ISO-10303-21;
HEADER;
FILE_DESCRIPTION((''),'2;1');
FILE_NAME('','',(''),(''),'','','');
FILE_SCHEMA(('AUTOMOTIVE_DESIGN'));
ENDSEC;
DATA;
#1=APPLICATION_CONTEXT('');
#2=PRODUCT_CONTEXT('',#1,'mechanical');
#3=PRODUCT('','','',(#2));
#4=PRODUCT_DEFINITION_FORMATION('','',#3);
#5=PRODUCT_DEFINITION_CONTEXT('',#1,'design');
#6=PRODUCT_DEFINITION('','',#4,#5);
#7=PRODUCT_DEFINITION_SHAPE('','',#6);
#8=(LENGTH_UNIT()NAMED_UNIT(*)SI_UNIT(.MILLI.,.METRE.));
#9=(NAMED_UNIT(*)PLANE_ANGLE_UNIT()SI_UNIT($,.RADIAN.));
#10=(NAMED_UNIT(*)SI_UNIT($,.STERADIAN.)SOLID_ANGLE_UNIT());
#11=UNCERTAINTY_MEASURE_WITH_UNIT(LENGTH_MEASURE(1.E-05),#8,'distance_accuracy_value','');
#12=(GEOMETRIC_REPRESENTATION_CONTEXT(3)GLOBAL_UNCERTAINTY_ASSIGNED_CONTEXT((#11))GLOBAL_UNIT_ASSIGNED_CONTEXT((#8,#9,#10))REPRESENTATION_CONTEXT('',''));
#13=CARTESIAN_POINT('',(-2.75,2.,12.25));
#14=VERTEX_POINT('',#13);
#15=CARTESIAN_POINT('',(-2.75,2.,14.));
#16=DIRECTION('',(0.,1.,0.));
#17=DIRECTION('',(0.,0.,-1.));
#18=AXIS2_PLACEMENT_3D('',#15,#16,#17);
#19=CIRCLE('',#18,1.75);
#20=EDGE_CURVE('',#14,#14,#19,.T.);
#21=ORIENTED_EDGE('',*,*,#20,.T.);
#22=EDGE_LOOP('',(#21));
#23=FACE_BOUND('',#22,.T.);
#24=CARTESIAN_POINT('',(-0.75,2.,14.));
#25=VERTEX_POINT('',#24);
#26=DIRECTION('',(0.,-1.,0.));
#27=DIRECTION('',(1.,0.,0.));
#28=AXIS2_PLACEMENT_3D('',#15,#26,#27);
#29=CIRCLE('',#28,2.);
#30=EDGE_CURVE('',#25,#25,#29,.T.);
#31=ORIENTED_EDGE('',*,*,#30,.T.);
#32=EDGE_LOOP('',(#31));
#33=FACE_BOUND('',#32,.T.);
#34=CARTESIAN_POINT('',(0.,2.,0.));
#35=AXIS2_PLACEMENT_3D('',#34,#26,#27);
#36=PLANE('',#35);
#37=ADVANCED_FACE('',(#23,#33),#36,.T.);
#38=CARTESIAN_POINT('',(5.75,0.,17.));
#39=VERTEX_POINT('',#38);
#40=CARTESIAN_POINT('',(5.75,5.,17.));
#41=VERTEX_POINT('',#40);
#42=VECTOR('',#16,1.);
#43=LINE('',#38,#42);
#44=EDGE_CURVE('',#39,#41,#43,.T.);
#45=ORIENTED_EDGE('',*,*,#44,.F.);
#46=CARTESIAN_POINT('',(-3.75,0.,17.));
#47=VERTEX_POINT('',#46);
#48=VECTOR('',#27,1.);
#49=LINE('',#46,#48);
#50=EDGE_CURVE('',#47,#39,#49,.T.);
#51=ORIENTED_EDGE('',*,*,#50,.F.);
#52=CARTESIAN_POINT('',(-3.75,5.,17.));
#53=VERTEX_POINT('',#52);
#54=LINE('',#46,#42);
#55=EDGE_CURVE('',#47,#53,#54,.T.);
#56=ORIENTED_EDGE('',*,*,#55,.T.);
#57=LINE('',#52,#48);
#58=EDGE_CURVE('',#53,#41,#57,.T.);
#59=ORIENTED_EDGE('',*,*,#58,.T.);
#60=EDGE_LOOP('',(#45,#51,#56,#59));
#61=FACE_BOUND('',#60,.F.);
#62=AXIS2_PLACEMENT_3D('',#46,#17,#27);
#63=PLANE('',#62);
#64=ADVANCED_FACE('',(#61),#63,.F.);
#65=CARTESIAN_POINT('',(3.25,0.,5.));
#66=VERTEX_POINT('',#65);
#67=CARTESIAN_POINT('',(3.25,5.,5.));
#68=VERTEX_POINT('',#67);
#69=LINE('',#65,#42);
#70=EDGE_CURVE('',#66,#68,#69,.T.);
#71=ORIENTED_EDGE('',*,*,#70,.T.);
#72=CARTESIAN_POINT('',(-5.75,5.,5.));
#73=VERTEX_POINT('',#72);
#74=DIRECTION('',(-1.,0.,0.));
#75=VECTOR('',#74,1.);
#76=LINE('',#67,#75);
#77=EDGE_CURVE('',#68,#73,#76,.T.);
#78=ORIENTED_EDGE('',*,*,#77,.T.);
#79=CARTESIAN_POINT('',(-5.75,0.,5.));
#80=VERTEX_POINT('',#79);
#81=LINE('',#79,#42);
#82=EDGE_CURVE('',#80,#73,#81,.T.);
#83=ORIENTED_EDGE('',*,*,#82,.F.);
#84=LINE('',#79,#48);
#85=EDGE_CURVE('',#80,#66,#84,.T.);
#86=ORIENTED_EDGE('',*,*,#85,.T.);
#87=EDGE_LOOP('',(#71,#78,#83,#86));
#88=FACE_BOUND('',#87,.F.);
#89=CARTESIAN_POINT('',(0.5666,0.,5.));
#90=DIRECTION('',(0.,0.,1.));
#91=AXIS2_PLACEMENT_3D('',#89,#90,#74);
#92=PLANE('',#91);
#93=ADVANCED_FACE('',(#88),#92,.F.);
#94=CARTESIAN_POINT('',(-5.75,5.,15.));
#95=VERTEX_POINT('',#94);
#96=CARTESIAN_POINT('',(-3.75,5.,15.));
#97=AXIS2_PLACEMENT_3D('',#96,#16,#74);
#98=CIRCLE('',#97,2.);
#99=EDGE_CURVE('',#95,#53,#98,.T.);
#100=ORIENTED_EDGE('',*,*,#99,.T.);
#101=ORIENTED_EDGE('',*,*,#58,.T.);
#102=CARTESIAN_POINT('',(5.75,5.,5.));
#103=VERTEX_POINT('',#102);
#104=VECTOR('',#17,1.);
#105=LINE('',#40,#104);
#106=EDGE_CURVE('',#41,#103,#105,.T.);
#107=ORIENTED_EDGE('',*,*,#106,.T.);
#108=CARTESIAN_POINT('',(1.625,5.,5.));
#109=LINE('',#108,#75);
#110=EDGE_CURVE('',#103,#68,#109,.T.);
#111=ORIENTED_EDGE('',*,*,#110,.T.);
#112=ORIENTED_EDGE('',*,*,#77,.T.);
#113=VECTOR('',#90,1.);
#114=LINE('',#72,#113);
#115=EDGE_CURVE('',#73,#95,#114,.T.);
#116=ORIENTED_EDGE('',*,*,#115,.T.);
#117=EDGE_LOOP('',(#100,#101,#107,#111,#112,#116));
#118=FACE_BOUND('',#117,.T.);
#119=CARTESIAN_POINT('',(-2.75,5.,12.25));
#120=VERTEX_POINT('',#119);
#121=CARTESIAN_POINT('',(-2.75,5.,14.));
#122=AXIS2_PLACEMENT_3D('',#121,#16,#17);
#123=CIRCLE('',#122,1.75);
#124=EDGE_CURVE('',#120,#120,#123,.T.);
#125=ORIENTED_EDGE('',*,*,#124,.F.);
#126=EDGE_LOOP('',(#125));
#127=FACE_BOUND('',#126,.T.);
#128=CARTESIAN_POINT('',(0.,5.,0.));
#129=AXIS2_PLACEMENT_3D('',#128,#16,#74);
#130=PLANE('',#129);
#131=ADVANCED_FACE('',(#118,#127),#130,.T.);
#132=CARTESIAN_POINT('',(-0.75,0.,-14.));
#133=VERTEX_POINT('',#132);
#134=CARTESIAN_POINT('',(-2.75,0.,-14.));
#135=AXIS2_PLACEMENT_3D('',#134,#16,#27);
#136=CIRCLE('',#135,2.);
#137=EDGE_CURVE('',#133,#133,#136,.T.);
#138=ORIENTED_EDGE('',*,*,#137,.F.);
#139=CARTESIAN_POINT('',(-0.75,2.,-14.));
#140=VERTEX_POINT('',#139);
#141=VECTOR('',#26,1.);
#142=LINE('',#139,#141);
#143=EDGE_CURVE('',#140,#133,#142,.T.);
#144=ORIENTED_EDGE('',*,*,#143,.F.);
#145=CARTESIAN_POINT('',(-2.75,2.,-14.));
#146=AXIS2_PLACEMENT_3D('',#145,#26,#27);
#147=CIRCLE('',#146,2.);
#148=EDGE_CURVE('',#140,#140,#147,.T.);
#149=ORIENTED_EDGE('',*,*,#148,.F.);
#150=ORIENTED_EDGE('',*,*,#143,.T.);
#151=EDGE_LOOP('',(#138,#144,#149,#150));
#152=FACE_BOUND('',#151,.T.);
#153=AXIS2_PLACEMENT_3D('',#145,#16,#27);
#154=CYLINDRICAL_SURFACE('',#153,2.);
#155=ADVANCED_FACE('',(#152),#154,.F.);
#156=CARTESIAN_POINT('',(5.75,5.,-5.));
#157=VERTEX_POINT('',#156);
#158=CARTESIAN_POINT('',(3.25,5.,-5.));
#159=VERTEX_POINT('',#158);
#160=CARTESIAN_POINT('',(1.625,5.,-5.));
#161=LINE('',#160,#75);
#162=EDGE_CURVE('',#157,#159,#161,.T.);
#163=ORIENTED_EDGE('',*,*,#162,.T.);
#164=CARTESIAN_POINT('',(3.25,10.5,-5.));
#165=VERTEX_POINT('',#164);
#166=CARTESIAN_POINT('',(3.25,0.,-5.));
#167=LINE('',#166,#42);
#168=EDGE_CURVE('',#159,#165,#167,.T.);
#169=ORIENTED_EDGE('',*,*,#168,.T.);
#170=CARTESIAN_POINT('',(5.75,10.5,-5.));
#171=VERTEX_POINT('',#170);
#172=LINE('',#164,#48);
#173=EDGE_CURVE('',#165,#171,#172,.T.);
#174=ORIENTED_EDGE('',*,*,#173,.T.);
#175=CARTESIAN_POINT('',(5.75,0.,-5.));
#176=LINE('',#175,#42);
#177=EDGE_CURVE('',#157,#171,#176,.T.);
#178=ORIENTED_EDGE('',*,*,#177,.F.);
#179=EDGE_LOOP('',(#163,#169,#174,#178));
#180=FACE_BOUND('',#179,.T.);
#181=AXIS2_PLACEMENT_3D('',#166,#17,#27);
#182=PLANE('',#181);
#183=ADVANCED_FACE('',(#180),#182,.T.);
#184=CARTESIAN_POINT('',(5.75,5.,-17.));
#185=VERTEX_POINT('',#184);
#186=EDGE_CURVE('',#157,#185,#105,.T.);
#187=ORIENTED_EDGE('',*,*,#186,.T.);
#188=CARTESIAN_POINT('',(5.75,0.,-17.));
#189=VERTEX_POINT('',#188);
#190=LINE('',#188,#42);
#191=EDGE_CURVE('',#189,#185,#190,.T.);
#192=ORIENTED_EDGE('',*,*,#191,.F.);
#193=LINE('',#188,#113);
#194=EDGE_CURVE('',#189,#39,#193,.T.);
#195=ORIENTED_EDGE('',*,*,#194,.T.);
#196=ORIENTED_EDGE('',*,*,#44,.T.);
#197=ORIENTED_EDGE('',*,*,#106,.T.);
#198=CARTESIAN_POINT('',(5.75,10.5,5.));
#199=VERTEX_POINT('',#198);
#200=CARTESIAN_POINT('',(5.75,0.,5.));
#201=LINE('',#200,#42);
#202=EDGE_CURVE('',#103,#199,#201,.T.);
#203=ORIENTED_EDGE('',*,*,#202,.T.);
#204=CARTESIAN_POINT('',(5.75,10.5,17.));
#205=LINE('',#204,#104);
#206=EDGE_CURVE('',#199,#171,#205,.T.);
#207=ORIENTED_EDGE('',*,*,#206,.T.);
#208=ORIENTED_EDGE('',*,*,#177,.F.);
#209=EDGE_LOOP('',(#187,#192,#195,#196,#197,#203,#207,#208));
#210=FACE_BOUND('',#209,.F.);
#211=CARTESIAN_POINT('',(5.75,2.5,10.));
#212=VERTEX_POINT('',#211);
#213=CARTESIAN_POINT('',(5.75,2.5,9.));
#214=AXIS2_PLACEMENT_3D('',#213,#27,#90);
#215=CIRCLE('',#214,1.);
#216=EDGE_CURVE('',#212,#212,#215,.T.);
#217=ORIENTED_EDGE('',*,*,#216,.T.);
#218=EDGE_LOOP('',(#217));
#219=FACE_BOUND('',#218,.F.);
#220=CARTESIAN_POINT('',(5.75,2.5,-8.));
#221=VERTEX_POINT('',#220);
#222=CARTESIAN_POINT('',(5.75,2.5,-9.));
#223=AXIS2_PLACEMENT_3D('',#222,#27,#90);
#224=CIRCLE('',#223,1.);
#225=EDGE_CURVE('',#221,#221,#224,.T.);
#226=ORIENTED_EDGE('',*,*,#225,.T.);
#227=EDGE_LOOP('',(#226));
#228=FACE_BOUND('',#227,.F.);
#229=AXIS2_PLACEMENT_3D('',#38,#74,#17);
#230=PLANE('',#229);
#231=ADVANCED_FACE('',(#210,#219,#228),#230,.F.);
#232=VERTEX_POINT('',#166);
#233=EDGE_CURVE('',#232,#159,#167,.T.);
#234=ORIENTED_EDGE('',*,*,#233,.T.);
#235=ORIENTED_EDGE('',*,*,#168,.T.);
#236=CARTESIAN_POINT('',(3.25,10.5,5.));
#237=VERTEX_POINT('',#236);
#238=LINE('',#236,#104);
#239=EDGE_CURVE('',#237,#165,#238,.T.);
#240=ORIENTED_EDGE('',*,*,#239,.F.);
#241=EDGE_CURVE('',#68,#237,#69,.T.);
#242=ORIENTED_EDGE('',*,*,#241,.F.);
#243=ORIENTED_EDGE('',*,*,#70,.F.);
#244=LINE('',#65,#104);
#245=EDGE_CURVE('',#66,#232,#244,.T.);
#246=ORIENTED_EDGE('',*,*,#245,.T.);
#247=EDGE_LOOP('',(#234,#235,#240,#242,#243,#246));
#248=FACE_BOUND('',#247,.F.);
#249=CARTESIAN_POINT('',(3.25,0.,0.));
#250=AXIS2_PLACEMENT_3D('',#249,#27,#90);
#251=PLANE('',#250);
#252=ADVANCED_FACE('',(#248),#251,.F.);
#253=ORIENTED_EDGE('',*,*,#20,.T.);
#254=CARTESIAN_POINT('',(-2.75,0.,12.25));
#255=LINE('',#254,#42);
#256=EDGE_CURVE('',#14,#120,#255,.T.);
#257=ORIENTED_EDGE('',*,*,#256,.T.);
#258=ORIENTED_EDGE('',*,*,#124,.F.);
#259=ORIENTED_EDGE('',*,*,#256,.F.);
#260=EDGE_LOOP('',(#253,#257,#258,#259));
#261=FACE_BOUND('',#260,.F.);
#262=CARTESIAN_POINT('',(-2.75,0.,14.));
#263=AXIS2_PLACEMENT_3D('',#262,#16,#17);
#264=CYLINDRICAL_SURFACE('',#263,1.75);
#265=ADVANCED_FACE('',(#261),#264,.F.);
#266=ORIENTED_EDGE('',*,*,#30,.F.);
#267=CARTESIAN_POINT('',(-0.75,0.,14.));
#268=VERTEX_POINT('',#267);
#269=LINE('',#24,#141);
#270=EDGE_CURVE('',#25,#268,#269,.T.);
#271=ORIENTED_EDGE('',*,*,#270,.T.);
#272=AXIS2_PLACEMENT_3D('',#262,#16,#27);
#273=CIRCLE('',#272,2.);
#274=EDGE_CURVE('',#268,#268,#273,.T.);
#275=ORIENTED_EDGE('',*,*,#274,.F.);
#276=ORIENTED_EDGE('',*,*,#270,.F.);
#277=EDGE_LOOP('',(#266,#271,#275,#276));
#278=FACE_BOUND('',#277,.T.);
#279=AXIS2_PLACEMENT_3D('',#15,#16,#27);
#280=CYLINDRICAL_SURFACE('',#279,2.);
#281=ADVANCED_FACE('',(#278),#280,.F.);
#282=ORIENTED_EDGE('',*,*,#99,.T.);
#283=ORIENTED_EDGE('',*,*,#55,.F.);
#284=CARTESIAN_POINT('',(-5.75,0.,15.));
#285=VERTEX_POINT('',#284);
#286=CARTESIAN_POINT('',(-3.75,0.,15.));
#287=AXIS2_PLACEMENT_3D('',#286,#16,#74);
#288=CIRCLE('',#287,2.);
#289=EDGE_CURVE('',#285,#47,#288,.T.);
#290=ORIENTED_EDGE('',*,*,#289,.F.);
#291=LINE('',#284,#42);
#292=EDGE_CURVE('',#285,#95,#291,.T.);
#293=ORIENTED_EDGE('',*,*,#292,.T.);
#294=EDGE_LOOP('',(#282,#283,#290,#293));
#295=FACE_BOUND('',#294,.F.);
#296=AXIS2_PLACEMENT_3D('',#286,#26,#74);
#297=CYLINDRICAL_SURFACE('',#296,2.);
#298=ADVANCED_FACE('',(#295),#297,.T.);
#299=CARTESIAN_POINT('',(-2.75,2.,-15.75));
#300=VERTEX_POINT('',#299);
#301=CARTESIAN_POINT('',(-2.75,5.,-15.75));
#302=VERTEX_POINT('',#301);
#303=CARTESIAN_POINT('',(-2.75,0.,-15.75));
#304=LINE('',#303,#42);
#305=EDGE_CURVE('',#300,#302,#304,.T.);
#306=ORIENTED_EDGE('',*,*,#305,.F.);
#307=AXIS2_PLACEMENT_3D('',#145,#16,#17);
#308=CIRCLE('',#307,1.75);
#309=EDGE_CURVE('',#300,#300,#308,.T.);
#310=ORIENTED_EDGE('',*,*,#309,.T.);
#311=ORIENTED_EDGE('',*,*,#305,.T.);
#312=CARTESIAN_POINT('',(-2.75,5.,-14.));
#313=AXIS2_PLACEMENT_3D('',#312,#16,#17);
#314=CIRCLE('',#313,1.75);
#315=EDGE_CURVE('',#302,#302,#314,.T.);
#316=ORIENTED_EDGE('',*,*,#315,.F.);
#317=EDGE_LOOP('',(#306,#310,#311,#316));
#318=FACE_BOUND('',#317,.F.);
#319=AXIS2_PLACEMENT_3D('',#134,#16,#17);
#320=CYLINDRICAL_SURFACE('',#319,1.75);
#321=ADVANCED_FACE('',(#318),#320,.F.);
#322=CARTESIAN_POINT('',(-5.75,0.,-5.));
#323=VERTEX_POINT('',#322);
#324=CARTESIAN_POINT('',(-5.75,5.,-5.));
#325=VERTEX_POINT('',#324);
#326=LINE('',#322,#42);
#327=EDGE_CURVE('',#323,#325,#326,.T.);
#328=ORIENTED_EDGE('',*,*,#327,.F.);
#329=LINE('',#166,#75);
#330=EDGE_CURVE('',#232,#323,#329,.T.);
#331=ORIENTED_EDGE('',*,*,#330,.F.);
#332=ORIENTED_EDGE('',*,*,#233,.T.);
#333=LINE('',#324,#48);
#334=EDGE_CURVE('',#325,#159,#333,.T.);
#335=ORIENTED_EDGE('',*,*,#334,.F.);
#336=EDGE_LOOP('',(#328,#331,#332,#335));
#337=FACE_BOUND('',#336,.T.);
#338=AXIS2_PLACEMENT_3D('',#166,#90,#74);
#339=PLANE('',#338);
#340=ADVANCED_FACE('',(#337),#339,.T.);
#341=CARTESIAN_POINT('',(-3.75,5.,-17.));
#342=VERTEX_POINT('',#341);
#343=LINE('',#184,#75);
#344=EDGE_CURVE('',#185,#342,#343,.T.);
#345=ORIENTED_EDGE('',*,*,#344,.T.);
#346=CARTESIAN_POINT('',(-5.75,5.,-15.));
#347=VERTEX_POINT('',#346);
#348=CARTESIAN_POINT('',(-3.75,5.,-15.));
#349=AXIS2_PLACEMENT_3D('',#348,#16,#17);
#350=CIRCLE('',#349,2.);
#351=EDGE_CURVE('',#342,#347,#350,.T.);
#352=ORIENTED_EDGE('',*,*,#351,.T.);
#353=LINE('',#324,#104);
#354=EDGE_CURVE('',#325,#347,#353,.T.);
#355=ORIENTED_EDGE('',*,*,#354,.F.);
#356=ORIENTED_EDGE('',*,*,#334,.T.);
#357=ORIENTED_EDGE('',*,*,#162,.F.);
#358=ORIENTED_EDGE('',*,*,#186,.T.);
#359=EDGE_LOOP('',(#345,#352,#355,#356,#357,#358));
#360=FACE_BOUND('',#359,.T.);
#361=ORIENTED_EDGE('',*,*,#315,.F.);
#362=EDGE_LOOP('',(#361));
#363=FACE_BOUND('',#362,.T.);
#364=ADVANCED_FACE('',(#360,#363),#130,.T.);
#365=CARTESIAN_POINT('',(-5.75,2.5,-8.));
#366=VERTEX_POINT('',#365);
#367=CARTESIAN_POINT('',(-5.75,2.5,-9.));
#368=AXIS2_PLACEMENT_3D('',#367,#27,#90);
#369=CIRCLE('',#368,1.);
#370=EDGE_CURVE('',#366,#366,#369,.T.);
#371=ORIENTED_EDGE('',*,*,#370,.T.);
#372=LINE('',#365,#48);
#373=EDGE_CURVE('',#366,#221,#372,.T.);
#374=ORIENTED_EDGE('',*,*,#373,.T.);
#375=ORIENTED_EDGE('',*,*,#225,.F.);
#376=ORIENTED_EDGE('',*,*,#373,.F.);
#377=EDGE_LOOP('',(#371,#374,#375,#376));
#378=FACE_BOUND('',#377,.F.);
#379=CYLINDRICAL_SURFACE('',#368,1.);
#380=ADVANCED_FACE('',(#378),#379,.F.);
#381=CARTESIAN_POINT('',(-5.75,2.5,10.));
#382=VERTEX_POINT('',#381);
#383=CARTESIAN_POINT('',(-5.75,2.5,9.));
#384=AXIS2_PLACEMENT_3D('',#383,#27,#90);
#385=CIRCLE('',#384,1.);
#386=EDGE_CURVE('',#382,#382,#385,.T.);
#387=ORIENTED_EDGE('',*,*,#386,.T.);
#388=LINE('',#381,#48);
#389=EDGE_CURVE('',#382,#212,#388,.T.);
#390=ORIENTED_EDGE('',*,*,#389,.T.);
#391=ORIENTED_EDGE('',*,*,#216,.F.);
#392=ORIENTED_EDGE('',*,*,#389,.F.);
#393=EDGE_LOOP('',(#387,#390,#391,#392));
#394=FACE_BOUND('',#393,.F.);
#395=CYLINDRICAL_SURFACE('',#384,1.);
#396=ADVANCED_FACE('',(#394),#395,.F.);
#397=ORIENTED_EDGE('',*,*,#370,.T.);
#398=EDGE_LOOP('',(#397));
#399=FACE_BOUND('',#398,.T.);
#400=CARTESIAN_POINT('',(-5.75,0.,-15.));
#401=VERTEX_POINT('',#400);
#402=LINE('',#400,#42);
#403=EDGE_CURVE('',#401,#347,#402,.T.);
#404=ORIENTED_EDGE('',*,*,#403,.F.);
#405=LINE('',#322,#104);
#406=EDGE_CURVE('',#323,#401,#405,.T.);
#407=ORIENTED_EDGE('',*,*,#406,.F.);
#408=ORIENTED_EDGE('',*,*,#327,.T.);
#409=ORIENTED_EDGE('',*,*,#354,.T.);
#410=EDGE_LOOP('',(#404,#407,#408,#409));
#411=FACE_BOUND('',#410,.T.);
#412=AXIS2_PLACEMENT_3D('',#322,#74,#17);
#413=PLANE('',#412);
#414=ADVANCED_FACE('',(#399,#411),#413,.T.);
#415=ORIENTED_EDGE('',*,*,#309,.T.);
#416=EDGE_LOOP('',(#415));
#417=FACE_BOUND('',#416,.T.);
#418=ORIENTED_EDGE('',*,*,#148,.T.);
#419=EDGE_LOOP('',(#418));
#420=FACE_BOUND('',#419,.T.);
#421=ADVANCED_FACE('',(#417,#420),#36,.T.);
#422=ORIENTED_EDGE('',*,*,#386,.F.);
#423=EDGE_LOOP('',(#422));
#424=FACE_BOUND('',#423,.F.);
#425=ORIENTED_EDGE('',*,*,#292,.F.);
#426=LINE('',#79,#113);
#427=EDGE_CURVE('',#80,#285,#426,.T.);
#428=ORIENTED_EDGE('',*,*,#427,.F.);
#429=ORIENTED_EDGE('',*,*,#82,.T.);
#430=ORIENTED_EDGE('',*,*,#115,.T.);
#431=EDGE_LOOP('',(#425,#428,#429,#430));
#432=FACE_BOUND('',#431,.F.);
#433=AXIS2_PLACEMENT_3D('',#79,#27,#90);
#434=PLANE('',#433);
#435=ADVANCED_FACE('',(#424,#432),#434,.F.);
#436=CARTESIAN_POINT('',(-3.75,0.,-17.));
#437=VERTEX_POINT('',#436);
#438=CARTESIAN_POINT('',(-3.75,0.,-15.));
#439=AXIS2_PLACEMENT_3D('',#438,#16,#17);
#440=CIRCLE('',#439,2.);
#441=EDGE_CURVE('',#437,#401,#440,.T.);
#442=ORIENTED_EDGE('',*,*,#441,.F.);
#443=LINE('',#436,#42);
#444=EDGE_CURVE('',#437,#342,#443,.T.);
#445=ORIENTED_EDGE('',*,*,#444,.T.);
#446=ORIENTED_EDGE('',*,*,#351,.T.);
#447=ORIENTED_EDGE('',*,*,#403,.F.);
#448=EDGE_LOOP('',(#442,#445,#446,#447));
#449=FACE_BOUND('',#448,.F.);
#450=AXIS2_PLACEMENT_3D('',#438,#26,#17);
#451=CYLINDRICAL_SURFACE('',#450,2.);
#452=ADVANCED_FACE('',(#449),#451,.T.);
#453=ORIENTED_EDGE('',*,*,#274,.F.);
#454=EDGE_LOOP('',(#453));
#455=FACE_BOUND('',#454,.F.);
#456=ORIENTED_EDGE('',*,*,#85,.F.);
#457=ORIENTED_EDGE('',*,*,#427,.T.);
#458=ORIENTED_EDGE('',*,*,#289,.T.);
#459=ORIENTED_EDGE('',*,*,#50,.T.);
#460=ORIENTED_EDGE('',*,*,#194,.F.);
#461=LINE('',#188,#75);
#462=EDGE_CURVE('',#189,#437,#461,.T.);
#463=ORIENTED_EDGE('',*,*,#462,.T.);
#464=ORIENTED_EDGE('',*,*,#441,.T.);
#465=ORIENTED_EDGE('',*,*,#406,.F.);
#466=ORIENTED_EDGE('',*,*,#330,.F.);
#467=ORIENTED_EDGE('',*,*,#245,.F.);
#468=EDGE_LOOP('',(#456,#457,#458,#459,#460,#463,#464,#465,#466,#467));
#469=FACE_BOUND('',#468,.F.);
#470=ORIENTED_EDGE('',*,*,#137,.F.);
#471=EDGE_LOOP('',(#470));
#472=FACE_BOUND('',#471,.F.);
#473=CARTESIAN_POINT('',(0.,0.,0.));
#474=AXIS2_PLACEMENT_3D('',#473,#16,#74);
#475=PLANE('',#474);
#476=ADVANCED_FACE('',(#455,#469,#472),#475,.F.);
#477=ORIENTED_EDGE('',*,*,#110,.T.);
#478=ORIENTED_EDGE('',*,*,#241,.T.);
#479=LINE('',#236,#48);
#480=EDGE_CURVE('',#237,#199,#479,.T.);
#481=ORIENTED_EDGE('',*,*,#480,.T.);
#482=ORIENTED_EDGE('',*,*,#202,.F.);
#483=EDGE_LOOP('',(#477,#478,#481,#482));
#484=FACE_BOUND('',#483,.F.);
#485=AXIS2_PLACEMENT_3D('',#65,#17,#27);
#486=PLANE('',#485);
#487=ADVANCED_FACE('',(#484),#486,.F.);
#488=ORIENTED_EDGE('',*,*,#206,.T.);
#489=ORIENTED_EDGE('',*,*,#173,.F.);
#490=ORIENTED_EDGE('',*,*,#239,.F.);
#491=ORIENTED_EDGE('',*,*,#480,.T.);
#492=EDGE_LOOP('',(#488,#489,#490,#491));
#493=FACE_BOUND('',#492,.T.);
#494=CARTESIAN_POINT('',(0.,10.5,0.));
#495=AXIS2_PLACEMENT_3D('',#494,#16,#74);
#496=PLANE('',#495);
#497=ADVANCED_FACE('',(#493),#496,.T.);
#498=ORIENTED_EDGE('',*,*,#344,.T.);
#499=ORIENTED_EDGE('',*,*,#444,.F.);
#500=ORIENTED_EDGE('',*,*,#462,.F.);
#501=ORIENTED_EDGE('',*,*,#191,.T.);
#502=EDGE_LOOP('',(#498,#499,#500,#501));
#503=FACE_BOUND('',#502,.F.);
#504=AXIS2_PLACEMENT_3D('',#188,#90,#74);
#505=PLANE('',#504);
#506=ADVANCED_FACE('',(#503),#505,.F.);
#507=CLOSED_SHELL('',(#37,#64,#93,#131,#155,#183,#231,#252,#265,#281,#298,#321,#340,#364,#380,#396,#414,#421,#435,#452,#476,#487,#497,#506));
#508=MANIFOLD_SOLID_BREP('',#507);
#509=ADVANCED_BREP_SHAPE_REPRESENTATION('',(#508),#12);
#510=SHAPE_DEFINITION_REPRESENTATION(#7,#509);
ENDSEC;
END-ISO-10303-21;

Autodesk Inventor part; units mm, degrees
ref_plane "YZ Plane" through (0, 0, 0) normal (1, 0, 0) x (0, 1, 0)
ref_plane "XZ Plane" through (0, 0, 0) normal (0, 1, 0) x (-1, 0, 0)
sketch "Sketch1" plane through (0, 0, 0) normal (0, 1, 0) x (-1, 0, 0)
  line L0 (3.75, 17) -> (-5.75, 17)
  line L1 (-5.75, 17) -> (-5.75, -17)
  line L2 (-5.75, -17) -> (3.75, -17)
  line L3 (5.75, 17) -> (-5.75, -17) construction
  line L4 (-5.75, 17) -> (5.75, -17) construction
  arc A0 (5.75, 15) -> (3.75, 17) centre (3.75, 15) ccw
  arc A1 (3.75, -17) -> (5.75, -15) centre (3.75, -15) ccw
  line L5 (-3.25, 0) -> (-3.25, 5)
  line L6 (-3.25, 0) -> (-3.25, -5)
  line L7 (-3.25, -5) -> (5.75, -5)
  line L8 (-3.25, 5) -> (5.75, 5)
  line L9 (5.75, 5) -> (5.75, 15)
  line L10 (5.75, -5) -> (5.75, -15)
  arc A2 (-0.5666, 5) -> (-0.5666, -5) centre (2.75, 0) ccw
  line L11 (-3.25, 5) -> (-5.75, 5)
  line L12 (-3.25, -5) -> (-5.75, -5)
  point P0 (2.75, 14)
  point P1 (2.75, -14)
  dimension "d0" = 11.5
  dimension "d1" = 34
  dimension "d2" = 2
  dimension "d29" = 5
  dimension "d30" = 5
  dimension "d31" = 9
  dimension "d32" = 9
  dimension "d48" = 8.5
extrude "Extrusion1" add sketch "Sketch1" along normal blind 5 contours A0 L9 L8 L11 L1 L0 | L11 L5 L6 L12 L1 | L12 L7 L10 A1 L2 L1
hole "Hole1" at (-2.75, 0, 14) at (-2.75, 0, -14) direction (0, 1, 0) diameter 3.5 depth 8
sketch "Sketch5" plane through (-5.75, 0, 5) normal (-1, 0, 0) x (0, 0, 1)
  point P0 (-5, 0)
  point P1 (4, 2.5)
  point P2 (-14, 2.5)
hole "Hole3" at (-5.75, 2.5, 9) at (-5.75, 2.5, -9) direction (1, 0, 0) diameter 2 depth 12
extrude "Extrusion4" add sketch "Sketch1" along normal blind 10.5 contours L11 L5 L6 L12 L1
ref_plane "Work Plane4" through (0, 2, 0) normal (0, -1, 0) x (1, 0, 0)
sketch "Sketch9" plane through (0, 2, 0) normal (0, -1, 0) x (1, 0, 0)
  circle A0 centre (-2.75, -14) radius 1.75 projected
  circle A1 centre (-2.75, 14) radius 1.75 projected
  circle A2 centre (-2.75, 14) radius 2
  circle A3 centre (-2.75, -14) radius 2
  point P0 (0, 0)
  dimension "d61" = 4
  dimension "d62" = 4
extrude "Extrusion7" cut sketch "Sketch9" along normal blind 10
properties part number "togh" material "ABS Plastic"
